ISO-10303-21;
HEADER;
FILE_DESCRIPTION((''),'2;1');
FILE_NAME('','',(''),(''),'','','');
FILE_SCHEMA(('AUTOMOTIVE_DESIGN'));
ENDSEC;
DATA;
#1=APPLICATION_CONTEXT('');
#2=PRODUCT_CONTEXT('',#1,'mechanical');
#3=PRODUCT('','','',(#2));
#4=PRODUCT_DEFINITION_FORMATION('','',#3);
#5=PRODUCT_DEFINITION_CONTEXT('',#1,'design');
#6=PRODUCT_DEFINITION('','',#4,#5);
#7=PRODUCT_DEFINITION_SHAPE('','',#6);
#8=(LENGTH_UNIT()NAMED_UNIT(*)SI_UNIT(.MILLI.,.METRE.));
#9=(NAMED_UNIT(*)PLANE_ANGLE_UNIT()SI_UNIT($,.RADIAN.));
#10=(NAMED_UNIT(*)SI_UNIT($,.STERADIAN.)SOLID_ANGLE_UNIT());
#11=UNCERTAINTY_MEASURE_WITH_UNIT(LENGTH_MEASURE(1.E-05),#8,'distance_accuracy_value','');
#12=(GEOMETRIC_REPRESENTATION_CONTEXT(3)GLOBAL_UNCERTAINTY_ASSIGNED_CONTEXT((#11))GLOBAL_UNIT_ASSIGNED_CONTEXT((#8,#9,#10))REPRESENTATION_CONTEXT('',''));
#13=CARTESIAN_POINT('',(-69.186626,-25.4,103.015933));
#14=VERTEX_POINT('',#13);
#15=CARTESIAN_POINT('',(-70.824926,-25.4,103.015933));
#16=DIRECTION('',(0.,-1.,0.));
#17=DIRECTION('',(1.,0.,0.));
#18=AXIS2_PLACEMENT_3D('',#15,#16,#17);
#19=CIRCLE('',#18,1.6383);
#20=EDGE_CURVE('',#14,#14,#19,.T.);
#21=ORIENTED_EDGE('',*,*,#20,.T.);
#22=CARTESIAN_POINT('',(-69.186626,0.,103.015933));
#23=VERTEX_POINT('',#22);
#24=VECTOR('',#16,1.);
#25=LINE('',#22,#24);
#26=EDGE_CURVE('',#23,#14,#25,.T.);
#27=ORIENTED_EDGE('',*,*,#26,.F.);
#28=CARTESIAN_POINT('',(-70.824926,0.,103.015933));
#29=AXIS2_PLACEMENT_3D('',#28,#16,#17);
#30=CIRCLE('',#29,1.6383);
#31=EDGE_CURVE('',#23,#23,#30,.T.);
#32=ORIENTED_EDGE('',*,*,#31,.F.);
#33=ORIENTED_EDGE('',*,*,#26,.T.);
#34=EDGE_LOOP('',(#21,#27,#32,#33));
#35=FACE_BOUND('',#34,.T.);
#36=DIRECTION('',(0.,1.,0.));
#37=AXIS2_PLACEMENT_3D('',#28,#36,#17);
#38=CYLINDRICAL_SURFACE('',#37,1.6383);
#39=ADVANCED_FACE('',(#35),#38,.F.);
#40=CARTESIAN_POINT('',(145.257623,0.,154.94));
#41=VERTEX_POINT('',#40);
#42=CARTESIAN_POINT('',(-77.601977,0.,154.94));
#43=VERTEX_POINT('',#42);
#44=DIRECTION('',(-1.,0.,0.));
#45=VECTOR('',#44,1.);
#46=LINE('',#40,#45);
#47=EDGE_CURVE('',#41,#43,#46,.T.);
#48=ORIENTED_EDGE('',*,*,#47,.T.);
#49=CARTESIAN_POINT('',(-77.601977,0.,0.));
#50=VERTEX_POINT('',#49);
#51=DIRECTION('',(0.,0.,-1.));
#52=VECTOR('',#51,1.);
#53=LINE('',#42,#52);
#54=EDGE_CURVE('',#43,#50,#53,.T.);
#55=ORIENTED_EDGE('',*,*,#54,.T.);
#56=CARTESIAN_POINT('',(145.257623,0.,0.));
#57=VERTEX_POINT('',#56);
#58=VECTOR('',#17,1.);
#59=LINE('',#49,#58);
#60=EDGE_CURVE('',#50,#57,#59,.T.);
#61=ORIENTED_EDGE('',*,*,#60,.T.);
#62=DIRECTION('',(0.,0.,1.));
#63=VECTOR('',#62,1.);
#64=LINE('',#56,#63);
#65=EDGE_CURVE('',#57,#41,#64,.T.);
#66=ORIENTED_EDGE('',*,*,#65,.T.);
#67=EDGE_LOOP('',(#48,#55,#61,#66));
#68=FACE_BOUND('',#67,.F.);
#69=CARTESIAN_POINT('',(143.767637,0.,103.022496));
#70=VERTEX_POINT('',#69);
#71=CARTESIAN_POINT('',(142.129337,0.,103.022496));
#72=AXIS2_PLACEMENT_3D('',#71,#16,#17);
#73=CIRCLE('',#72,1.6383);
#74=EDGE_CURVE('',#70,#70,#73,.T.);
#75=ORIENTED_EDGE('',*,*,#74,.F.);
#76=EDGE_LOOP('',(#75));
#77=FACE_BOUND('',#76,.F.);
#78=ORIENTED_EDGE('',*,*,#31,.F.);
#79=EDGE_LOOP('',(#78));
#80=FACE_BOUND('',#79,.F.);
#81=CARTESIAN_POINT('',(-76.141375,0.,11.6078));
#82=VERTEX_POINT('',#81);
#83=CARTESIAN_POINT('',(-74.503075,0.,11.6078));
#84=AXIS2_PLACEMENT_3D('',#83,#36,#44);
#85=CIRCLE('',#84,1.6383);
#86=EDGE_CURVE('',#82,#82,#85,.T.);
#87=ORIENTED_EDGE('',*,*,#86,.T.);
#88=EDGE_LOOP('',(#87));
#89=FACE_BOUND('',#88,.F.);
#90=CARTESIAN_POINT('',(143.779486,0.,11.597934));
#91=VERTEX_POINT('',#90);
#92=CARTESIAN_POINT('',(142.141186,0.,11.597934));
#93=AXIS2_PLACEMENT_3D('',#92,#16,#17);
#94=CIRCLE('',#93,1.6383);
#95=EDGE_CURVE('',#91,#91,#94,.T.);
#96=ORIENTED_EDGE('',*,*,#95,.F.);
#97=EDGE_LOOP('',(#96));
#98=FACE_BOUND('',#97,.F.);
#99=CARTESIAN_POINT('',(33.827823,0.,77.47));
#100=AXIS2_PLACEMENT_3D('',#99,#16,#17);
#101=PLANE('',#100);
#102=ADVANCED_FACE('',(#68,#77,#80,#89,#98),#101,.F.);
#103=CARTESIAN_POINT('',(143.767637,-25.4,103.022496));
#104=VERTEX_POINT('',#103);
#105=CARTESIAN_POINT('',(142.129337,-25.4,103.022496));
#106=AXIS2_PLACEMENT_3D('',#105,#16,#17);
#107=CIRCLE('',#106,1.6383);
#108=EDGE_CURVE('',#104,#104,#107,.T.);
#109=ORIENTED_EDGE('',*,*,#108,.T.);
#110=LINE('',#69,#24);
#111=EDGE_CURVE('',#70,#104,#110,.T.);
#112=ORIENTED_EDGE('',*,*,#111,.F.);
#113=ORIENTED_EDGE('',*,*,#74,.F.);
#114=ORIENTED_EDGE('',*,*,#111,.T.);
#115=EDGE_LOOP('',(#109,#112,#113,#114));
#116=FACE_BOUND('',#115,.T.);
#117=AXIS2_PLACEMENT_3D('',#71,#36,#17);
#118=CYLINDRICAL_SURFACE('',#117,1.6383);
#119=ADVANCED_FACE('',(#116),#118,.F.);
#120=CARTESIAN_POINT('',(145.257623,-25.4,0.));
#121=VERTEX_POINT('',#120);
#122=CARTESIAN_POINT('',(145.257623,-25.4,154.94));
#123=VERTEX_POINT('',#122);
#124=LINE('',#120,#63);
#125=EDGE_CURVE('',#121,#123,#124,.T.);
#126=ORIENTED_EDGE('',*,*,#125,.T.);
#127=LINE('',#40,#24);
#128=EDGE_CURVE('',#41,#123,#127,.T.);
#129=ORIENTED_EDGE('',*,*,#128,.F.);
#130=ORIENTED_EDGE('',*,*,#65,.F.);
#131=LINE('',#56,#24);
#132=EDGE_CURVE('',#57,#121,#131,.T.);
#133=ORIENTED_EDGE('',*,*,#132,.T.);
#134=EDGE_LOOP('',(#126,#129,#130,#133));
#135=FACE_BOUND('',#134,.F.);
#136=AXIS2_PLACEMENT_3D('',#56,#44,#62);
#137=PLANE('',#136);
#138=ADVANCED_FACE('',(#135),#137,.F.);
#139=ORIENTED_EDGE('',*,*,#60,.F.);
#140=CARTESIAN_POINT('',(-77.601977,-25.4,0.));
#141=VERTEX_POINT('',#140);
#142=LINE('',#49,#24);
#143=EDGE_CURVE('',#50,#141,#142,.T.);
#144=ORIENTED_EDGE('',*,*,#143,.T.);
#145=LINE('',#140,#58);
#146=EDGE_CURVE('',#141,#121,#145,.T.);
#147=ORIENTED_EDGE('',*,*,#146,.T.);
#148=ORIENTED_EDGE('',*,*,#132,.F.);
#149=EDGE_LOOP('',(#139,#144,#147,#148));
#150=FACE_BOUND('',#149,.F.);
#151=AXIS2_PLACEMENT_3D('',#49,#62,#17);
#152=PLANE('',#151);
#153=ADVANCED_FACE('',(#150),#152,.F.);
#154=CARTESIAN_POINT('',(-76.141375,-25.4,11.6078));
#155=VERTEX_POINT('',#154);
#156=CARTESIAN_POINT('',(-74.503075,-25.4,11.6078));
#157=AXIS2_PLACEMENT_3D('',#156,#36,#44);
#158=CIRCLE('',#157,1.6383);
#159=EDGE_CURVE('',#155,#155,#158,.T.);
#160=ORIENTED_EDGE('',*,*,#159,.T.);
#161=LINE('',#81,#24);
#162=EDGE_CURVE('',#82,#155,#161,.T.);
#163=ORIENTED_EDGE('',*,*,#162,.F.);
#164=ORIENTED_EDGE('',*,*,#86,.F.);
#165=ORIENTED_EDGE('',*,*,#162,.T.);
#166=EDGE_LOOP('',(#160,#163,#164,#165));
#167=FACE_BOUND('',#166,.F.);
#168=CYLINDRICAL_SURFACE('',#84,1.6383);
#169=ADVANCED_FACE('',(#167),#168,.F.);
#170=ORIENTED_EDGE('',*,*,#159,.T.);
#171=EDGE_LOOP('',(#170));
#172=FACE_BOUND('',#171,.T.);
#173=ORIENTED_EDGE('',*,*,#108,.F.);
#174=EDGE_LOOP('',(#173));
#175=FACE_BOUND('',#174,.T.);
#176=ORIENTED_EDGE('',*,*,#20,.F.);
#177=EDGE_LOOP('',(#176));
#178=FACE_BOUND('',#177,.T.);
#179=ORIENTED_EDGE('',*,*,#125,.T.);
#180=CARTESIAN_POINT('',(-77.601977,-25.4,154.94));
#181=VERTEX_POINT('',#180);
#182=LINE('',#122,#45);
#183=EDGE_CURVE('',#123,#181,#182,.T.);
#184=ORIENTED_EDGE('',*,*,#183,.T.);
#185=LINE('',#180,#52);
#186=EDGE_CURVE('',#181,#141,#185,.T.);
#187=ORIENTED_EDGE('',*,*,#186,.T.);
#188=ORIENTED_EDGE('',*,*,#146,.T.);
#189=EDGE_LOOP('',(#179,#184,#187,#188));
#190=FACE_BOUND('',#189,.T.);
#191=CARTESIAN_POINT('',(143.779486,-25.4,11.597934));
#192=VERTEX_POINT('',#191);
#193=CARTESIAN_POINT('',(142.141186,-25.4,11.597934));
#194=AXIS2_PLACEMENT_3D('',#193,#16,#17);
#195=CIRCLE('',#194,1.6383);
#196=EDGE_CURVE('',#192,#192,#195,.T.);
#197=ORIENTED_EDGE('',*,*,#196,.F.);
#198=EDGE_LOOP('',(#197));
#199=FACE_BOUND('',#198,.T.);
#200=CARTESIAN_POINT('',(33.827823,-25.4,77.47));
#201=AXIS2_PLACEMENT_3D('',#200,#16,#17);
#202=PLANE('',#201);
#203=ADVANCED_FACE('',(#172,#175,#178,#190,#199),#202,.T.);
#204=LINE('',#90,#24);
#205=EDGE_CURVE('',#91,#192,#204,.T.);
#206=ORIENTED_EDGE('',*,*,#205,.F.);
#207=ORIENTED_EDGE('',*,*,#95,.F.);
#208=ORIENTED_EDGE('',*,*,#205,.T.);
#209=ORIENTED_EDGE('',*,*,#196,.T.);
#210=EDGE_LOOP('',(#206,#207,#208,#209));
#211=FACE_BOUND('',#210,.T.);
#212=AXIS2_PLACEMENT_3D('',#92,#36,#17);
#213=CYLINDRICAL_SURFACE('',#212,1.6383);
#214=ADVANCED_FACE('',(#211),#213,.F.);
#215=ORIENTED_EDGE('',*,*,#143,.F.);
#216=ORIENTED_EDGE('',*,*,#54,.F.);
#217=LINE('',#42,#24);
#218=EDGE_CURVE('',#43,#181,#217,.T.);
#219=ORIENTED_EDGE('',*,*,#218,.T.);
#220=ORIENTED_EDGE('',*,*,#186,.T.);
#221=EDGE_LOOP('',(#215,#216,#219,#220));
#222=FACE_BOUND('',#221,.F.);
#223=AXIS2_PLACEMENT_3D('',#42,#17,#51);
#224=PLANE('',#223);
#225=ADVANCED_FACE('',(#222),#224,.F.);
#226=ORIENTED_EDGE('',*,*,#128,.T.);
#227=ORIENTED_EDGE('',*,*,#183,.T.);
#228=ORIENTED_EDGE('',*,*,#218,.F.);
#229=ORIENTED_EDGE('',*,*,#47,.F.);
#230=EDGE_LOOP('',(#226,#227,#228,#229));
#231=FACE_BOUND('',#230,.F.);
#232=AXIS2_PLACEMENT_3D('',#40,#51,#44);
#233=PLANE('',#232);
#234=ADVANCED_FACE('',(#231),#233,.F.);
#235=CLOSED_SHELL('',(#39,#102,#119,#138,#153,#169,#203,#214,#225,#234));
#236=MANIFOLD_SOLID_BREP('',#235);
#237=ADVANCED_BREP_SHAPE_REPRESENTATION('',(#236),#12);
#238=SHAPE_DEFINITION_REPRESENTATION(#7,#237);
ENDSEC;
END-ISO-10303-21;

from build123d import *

# Parameters (mm, degrees)
F0_R     = 1.6383
F1_DEPTH = 25.4


with BuildPart() as f1:
    # F0 (on Front) → F1 (new body)
    with BuildSketch(Plane.XZ):
        Polygon((-77.601977, 11.6078), (-77.601977, 0), (145.257623, 0), (145.257623, 154.94), (-77.601977, 154.94), align=None)
        with BuildLine():
            ThreePointArc((-72.864775, 11.6078), (-74.503075, 9.9695), (-76.141375, 11.6078))
            ThreePointArc((-76.141375, 11.6078), (-74.503075, 13.2461), (-72.864775, 11.6078))
        make_face(mode=Mode.SUBTRACT)
        with Locations((142.141186, 11.597934)):
            Circle(F0_R, mode=Mode.SUBTRACT)
        with Locations((-70.824926, 103.015933)):
            Circle(F0_R, mode=Mode.SUBTRACT)
        with Locations((142.129337, 103.022496)):
            Circle(F0_R, mode=Mode.SUBTRACT)
    extrude(amount=F1_DEPTH)


solid = f1.part
